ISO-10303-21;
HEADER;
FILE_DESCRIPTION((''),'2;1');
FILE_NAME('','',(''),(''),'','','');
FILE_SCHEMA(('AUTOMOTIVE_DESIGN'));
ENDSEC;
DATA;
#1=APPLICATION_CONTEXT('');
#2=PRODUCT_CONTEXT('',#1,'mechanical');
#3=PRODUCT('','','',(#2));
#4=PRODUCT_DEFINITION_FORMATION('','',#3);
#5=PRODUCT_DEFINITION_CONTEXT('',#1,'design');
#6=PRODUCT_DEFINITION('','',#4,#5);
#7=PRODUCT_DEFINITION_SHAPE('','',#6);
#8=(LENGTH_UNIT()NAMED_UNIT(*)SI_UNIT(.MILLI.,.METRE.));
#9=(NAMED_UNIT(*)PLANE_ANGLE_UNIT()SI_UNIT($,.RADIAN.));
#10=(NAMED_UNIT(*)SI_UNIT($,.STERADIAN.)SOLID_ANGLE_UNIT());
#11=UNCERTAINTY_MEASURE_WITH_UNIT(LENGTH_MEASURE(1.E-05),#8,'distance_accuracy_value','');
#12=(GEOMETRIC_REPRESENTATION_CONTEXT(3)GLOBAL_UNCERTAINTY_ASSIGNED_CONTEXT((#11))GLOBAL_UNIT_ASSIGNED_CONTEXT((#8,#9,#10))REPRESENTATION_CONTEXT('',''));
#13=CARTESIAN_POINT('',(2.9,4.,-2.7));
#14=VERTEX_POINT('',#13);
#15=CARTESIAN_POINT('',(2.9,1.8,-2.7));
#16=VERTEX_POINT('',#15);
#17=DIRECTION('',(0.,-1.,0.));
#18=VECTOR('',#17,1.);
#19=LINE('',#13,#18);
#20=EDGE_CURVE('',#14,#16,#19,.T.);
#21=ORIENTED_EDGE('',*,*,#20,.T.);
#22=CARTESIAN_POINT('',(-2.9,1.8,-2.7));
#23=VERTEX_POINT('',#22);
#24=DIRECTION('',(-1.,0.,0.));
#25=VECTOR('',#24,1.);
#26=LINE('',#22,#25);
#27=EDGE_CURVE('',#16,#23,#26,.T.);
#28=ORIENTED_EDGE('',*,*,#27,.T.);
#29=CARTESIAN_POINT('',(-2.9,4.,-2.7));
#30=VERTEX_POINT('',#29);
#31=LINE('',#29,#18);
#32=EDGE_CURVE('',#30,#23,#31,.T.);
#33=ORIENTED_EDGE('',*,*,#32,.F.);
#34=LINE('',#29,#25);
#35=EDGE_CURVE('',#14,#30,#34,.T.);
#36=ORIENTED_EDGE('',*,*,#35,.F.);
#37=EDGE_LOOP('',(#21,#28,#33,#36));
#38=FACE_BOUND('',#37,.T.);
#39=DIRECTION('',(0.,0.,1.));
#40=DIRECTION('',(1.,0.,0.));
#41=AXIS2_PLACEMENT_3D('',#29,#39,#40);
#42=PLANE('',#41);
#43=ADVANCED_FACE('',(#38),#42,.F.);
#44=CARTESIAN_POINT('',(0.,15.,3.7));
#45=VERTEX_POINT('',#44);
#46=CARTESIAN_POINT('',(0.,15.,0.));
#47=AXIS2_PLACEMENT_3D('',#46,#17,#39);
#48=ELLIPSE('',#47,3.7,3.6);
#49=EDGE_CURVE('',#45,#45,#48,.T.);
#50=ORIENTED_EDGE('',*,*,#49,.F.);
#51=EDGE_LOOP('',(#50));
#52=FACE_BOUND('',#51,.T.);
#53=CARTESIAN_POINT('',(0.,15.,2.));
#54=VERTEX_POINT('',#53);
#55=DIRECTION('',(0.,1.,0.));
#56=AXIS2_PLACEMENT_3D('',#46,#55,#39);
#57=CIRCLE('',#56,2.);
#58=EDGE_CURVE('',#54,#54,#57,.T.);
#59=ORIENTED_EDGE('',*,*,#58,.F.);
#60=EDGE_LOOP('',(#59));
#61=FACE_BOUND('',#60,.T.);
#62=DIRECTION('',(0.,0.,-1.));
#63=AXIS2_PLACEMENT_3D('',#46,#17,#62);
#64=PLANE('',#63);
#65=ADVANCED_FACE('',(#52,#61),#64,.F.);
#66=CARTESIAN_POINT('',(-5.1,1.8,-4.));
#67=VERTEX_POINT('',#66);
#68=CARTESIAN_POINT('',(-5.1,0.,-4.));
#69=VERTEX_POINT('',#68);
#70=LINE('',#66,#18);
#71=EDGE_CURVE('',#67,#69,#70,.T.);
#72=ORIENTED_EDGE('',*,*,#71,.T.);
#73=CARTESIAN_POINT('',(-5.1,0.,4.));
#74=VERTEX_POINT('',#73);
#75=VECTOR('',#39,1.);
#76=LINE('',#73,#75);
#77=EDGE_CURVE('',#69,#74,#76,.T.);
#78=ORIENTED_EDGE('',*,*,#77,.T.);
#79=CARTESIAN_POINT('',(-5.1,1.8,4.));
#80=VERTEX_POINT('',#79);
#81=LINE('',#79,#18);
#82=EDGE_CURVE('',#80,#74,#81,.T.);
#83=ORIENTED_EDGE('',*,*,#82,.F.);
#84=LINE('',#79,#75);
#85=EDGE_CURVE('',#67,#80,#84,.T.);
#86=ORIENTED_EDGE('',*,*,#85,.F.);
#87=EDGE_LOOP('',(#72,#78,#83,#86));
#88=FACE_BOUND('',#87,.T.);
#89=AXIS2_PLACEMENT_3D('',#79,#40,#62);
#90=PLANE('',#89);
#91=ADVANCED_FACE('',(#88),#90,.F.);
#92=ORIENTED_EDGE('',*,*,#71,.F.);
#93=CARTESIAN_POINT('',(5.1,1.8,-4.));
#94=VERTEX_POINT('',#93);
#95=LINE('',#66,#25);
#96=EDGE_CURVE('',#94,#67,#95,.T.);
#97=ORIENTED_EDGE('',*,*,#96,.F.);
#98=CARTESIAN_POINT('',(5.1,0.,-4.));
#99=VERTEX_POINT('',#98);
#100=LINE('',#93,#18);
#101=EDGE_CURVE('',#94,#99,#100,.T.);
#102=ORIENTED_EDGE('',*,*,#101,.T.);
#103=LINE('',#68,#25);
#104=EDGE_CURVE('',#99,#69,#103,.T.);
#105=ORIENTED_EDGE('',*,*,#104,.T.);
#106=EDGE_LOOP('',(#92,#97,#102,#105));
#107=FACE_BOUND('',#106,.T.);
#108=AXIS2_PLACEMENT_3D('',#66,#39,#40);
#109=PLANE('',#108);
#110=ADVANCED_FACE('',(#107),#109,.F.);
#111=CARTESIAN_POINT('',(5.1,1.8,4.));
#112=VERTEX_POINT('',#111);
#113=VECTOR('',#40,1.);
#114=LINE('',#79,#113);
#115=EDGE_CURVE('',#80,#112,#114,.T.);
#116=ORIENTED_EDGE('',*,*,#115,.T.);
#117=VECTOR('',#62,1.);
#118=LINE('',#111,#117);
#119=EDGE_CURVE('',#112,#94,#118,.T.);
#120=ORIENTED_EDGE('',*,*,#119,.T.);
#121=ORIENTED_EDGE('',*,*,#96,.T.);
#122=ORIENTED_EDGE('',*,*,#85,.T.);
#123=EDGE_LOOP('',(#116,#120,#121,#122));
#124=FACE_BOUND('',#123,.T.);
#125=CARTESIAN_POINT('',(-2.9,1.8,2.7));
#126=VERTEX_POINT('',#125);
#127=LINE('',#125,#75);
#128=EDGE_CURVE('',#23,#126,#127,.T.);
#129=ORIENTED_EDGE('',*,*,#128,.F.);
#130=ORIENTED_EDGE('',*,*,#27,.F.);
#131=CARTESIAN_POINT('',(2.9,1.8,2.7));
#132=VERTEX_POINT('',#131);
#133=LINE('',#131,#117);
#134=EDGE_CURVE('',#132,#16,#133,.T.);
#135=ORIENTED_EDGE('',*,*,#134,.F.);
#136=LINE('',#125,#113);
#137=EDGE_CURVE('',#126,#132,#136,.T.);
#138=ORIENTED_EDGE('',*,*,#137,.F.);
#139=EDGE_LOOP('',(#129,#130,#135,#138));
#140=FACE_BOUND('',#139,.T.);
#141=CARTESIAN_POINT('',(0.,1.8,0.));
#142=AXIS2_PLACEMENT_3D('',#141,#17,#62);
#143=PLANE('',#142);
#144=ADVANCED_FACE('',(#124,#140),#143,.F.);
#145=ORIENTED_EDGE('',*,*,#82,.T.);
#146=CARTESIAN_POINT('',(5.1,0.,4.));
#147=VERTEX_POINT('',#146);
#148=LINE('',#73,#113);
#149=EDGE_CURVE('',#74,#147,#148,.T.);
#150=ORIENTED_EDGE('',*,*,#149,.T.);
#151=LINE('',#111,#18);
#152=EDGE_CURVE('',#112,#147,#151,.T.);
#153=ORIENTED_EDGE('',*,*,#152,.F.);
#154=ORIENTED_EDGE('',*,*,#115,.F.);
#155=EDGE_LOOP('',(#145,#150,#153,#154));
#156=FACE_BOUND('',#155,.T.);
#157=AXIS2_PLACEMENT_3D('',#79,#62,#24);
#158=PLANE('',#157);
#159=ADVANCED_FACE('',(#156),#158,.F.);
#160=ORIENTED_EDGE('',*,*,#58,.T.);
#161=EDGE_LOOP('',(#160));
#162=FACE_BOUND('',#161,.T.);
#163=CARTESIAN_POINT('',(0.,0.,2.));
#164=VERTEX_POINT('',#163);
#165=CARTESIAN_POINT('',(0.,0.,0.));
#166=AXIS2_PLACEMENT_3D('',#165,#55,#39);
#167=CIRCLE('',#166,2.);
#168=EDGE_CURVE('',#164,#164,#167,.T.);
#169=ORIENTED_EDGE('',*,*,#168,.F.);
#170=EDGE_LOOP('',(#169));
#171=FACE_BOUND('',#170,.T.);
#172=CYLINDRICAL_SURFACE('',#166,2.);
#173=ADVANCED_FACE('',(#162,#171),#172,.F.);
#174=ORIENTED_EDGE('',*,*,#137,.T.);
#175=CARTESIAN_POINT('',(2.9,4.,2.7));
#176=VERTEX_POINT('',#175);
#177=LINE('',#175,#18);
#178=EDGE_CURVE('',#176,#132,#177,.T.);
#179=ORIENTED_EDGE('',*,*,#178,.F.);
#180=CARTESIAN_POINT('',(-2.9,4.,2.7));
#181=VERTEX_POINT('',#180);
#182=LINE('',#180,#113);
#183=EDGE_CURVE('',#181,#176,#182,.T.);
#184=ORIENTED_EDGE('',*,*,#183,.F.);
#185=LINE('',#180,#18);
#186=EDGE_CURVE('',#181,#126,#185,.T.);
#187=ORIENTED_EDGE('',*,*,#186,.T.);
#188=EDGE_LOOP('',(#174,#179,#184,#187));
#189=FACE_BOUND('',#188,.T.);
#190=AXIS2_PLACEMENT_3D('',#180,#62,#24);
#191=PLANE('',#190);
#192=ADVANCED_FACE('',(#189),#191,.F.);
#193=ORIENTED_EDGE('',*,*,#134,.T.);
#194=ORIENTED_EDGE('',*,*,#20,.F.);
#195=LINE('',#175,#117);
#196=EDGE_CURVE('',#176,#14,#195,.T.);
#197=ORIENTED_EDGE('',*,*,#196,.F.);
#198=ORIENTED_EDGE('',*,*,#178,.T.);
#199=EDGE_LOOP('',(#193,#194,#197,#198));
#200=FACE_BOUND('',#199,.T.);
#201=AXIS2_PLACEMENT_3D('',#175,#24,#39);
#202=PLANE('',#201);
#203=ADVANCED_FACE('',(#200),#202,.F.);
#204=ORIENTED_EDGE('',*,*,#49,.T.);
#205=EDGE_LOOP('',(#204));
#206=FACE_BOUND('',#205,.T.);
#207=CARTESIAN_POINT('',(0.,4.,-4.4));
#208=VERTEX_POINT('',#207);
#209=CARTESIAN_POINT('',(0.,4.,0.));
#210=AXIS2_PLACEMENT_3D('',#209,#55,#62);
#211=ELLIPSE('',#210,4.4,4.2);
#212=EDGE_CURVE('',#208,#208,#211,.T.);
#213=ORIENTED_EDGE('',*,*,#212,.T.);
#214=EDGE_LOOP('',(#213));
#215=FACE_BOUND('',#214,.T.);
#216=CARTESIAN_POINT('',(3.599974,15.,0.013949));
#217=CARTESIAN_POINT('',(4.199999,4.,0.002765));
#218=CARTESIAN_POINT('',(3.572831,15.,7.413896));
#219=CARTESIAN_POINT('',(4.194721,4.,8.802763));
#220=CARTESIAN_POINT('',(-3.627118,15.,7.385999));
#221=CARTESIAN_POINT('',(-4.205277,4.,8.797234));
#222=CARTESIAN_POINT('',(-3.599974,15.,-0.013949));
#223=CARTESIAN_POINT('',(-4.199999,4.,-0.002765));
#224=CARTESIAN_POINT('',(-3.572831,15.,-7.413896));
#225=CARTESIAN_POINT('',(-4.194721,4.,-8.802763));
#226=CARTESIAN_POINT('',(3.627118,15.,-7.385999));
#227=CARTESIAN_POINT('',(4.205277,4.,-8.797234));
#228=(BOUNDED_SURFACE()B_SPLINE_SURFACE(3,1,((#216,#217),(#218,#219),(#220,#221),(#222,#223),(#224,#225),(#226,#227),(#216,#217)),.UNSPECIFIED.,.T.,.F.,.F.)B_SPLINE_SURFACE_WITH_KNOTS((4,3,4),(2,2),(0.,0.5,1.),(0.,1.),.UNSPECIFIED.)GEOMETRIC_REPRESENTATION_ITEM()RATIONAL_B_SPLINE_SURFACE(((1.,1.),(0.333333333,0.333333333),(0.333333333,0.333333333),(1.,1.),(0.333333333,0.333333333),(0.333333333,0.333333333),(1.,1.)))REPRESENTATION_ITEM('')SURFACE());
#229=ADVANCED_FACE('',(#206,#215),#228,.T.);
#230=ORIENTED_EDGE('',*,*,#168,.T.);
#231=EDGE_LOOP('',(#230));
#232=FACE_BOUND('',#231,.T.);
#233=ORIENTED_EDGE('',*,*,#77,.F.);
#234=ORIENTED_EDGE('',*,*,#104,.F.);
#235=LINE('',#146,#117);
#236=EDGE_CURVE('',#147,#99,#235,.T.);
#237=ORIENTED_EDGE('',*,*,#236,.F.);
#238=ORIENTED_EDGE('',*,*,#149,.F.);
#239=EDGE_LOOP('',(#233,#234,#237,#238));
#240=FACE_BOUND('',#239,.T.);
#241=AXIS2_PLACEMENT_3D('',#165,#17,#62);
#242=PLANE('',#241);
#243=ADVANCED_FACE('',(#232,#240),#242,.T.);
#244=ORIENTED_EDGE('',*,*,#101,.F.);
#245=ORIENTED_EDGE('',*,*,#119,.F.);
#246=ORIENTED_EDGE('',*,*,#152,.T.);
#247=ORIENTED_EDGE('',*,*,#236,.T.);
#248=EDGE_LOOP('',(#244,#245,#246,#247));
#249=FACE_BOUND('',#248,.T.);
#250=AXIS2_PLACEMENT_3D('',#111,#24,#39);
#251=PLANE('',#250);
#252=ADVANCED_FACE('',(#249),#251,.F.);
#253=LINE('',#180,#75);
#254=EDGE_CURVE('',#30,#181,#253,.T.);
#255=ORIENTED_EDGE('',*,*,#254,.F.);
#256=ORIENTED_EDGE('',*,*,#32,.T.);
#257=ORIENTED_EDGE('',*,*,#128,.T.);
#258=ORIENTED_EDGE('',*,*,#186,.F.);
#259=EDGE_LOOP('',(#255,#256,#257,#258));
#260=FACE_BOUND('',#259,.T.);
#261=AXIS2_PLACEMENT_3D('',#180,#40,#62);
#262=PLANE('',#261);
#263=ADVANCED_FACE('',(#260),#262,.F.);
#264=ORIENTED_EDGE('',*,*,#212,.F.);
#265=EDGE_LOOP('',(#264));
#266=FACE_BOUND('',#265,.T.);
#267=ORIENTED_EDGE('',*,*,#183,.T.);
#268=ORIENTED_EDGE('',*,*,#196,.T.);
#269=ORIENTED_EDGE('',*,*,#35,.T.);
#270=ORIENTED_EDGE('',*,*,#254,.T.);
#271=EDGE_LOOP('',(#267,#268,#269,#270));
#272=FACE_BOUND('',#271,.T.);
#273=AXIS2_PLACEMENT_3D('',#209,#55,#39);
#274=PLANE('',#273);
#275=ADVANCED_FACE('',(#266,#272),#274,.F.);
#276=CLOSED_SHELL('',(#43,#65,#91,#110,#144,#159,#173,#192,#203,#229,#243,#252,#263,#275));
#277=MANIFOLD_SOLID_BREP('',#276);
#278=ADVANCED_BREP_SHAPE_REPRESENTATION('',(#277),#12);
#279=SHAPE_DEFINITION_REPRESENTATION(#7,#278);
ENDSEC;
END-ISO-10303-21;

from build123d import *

# Parameters (mm, degrees)
SKETCH_4_W          = 10.2
SKETCH_4_H          = 8
EXTRUDE_1_DEPTH     = 1.8
SKETCH_5_W          = 5.8
SKETCH_5_H          = 5.4
EXTRUDE_2_DEPTH     = 2.2
SKETCH_7_RX         = 3.7
SKETCH_7_RY         = 3.6
SKETCH_6_RX         = 4.4
SKETCH_6_RY         = 4.2
SKETCH_8_R          = 2
CUT_EXTRUDE_1_DEPTH = 17.442931639


with BuildPart() as part:
    # 草图4 → 凸台-拉伸1 (new body)
    with BuildSketch(Plane(origin=(0, 0, 0), x_dir=(1, 0, 0), z_dir=(0, 1, 0))):
        Rectangle(SKETCH_4_W, SKETCH_4_H)
    extrude(amount=EXTRUDE_1_DEPTH)

    # 草图5 → 凸台-拉伸2 (add)
    with BuildSketch(Plane(origin=(0, 1.8, 0), x_dir=(1, 0, 0), z_dir=(0, 1, 0))):
        Rectangle(SKETCH_5_W, SKETCH_5_H)
    extrude(amount=EXTRUDE_2_DEPTH)

    # 草图7 → 放样1 section 0
    with BuildSketch(Plane(origin=(0, 15, 0), x_dir=(-1, 0, 0), z_dir=(0, -1, 0))):
        with Locations(Location((0, 0), (0, 0, -90))):
            Ellipse(SKETCH_7_RX, SKETCH_7_RY)
    # 草图6 → 放样1 section 1
    with BuildSketch(Plane(origin=(0, 4, 0), x_dir=(1, 0, 0), z_dir=(0, 1, 0))):
        with Locations(Location((0, 0), (0, 0, 90))):
            Ellipse(SKETCH_6_RX, SKETCH_6_RY)
    loft()

    # 草图8 → 切除-拉伸1 (cut, through all)
    with BuildSketch(Plane(origin=(0, 15, 0), x_dir=(1, 0, 0), z_dir=(0, 1, 0))):
        with Locations(Location((0, 0, 0), (0, 0, 270))):
            Circle(SKETCH_8_R)
    extrude(amount=-CUT_EXTRUDE_1_DEPTH, mode=Mode.SUBTRACT)


solid = part.part
